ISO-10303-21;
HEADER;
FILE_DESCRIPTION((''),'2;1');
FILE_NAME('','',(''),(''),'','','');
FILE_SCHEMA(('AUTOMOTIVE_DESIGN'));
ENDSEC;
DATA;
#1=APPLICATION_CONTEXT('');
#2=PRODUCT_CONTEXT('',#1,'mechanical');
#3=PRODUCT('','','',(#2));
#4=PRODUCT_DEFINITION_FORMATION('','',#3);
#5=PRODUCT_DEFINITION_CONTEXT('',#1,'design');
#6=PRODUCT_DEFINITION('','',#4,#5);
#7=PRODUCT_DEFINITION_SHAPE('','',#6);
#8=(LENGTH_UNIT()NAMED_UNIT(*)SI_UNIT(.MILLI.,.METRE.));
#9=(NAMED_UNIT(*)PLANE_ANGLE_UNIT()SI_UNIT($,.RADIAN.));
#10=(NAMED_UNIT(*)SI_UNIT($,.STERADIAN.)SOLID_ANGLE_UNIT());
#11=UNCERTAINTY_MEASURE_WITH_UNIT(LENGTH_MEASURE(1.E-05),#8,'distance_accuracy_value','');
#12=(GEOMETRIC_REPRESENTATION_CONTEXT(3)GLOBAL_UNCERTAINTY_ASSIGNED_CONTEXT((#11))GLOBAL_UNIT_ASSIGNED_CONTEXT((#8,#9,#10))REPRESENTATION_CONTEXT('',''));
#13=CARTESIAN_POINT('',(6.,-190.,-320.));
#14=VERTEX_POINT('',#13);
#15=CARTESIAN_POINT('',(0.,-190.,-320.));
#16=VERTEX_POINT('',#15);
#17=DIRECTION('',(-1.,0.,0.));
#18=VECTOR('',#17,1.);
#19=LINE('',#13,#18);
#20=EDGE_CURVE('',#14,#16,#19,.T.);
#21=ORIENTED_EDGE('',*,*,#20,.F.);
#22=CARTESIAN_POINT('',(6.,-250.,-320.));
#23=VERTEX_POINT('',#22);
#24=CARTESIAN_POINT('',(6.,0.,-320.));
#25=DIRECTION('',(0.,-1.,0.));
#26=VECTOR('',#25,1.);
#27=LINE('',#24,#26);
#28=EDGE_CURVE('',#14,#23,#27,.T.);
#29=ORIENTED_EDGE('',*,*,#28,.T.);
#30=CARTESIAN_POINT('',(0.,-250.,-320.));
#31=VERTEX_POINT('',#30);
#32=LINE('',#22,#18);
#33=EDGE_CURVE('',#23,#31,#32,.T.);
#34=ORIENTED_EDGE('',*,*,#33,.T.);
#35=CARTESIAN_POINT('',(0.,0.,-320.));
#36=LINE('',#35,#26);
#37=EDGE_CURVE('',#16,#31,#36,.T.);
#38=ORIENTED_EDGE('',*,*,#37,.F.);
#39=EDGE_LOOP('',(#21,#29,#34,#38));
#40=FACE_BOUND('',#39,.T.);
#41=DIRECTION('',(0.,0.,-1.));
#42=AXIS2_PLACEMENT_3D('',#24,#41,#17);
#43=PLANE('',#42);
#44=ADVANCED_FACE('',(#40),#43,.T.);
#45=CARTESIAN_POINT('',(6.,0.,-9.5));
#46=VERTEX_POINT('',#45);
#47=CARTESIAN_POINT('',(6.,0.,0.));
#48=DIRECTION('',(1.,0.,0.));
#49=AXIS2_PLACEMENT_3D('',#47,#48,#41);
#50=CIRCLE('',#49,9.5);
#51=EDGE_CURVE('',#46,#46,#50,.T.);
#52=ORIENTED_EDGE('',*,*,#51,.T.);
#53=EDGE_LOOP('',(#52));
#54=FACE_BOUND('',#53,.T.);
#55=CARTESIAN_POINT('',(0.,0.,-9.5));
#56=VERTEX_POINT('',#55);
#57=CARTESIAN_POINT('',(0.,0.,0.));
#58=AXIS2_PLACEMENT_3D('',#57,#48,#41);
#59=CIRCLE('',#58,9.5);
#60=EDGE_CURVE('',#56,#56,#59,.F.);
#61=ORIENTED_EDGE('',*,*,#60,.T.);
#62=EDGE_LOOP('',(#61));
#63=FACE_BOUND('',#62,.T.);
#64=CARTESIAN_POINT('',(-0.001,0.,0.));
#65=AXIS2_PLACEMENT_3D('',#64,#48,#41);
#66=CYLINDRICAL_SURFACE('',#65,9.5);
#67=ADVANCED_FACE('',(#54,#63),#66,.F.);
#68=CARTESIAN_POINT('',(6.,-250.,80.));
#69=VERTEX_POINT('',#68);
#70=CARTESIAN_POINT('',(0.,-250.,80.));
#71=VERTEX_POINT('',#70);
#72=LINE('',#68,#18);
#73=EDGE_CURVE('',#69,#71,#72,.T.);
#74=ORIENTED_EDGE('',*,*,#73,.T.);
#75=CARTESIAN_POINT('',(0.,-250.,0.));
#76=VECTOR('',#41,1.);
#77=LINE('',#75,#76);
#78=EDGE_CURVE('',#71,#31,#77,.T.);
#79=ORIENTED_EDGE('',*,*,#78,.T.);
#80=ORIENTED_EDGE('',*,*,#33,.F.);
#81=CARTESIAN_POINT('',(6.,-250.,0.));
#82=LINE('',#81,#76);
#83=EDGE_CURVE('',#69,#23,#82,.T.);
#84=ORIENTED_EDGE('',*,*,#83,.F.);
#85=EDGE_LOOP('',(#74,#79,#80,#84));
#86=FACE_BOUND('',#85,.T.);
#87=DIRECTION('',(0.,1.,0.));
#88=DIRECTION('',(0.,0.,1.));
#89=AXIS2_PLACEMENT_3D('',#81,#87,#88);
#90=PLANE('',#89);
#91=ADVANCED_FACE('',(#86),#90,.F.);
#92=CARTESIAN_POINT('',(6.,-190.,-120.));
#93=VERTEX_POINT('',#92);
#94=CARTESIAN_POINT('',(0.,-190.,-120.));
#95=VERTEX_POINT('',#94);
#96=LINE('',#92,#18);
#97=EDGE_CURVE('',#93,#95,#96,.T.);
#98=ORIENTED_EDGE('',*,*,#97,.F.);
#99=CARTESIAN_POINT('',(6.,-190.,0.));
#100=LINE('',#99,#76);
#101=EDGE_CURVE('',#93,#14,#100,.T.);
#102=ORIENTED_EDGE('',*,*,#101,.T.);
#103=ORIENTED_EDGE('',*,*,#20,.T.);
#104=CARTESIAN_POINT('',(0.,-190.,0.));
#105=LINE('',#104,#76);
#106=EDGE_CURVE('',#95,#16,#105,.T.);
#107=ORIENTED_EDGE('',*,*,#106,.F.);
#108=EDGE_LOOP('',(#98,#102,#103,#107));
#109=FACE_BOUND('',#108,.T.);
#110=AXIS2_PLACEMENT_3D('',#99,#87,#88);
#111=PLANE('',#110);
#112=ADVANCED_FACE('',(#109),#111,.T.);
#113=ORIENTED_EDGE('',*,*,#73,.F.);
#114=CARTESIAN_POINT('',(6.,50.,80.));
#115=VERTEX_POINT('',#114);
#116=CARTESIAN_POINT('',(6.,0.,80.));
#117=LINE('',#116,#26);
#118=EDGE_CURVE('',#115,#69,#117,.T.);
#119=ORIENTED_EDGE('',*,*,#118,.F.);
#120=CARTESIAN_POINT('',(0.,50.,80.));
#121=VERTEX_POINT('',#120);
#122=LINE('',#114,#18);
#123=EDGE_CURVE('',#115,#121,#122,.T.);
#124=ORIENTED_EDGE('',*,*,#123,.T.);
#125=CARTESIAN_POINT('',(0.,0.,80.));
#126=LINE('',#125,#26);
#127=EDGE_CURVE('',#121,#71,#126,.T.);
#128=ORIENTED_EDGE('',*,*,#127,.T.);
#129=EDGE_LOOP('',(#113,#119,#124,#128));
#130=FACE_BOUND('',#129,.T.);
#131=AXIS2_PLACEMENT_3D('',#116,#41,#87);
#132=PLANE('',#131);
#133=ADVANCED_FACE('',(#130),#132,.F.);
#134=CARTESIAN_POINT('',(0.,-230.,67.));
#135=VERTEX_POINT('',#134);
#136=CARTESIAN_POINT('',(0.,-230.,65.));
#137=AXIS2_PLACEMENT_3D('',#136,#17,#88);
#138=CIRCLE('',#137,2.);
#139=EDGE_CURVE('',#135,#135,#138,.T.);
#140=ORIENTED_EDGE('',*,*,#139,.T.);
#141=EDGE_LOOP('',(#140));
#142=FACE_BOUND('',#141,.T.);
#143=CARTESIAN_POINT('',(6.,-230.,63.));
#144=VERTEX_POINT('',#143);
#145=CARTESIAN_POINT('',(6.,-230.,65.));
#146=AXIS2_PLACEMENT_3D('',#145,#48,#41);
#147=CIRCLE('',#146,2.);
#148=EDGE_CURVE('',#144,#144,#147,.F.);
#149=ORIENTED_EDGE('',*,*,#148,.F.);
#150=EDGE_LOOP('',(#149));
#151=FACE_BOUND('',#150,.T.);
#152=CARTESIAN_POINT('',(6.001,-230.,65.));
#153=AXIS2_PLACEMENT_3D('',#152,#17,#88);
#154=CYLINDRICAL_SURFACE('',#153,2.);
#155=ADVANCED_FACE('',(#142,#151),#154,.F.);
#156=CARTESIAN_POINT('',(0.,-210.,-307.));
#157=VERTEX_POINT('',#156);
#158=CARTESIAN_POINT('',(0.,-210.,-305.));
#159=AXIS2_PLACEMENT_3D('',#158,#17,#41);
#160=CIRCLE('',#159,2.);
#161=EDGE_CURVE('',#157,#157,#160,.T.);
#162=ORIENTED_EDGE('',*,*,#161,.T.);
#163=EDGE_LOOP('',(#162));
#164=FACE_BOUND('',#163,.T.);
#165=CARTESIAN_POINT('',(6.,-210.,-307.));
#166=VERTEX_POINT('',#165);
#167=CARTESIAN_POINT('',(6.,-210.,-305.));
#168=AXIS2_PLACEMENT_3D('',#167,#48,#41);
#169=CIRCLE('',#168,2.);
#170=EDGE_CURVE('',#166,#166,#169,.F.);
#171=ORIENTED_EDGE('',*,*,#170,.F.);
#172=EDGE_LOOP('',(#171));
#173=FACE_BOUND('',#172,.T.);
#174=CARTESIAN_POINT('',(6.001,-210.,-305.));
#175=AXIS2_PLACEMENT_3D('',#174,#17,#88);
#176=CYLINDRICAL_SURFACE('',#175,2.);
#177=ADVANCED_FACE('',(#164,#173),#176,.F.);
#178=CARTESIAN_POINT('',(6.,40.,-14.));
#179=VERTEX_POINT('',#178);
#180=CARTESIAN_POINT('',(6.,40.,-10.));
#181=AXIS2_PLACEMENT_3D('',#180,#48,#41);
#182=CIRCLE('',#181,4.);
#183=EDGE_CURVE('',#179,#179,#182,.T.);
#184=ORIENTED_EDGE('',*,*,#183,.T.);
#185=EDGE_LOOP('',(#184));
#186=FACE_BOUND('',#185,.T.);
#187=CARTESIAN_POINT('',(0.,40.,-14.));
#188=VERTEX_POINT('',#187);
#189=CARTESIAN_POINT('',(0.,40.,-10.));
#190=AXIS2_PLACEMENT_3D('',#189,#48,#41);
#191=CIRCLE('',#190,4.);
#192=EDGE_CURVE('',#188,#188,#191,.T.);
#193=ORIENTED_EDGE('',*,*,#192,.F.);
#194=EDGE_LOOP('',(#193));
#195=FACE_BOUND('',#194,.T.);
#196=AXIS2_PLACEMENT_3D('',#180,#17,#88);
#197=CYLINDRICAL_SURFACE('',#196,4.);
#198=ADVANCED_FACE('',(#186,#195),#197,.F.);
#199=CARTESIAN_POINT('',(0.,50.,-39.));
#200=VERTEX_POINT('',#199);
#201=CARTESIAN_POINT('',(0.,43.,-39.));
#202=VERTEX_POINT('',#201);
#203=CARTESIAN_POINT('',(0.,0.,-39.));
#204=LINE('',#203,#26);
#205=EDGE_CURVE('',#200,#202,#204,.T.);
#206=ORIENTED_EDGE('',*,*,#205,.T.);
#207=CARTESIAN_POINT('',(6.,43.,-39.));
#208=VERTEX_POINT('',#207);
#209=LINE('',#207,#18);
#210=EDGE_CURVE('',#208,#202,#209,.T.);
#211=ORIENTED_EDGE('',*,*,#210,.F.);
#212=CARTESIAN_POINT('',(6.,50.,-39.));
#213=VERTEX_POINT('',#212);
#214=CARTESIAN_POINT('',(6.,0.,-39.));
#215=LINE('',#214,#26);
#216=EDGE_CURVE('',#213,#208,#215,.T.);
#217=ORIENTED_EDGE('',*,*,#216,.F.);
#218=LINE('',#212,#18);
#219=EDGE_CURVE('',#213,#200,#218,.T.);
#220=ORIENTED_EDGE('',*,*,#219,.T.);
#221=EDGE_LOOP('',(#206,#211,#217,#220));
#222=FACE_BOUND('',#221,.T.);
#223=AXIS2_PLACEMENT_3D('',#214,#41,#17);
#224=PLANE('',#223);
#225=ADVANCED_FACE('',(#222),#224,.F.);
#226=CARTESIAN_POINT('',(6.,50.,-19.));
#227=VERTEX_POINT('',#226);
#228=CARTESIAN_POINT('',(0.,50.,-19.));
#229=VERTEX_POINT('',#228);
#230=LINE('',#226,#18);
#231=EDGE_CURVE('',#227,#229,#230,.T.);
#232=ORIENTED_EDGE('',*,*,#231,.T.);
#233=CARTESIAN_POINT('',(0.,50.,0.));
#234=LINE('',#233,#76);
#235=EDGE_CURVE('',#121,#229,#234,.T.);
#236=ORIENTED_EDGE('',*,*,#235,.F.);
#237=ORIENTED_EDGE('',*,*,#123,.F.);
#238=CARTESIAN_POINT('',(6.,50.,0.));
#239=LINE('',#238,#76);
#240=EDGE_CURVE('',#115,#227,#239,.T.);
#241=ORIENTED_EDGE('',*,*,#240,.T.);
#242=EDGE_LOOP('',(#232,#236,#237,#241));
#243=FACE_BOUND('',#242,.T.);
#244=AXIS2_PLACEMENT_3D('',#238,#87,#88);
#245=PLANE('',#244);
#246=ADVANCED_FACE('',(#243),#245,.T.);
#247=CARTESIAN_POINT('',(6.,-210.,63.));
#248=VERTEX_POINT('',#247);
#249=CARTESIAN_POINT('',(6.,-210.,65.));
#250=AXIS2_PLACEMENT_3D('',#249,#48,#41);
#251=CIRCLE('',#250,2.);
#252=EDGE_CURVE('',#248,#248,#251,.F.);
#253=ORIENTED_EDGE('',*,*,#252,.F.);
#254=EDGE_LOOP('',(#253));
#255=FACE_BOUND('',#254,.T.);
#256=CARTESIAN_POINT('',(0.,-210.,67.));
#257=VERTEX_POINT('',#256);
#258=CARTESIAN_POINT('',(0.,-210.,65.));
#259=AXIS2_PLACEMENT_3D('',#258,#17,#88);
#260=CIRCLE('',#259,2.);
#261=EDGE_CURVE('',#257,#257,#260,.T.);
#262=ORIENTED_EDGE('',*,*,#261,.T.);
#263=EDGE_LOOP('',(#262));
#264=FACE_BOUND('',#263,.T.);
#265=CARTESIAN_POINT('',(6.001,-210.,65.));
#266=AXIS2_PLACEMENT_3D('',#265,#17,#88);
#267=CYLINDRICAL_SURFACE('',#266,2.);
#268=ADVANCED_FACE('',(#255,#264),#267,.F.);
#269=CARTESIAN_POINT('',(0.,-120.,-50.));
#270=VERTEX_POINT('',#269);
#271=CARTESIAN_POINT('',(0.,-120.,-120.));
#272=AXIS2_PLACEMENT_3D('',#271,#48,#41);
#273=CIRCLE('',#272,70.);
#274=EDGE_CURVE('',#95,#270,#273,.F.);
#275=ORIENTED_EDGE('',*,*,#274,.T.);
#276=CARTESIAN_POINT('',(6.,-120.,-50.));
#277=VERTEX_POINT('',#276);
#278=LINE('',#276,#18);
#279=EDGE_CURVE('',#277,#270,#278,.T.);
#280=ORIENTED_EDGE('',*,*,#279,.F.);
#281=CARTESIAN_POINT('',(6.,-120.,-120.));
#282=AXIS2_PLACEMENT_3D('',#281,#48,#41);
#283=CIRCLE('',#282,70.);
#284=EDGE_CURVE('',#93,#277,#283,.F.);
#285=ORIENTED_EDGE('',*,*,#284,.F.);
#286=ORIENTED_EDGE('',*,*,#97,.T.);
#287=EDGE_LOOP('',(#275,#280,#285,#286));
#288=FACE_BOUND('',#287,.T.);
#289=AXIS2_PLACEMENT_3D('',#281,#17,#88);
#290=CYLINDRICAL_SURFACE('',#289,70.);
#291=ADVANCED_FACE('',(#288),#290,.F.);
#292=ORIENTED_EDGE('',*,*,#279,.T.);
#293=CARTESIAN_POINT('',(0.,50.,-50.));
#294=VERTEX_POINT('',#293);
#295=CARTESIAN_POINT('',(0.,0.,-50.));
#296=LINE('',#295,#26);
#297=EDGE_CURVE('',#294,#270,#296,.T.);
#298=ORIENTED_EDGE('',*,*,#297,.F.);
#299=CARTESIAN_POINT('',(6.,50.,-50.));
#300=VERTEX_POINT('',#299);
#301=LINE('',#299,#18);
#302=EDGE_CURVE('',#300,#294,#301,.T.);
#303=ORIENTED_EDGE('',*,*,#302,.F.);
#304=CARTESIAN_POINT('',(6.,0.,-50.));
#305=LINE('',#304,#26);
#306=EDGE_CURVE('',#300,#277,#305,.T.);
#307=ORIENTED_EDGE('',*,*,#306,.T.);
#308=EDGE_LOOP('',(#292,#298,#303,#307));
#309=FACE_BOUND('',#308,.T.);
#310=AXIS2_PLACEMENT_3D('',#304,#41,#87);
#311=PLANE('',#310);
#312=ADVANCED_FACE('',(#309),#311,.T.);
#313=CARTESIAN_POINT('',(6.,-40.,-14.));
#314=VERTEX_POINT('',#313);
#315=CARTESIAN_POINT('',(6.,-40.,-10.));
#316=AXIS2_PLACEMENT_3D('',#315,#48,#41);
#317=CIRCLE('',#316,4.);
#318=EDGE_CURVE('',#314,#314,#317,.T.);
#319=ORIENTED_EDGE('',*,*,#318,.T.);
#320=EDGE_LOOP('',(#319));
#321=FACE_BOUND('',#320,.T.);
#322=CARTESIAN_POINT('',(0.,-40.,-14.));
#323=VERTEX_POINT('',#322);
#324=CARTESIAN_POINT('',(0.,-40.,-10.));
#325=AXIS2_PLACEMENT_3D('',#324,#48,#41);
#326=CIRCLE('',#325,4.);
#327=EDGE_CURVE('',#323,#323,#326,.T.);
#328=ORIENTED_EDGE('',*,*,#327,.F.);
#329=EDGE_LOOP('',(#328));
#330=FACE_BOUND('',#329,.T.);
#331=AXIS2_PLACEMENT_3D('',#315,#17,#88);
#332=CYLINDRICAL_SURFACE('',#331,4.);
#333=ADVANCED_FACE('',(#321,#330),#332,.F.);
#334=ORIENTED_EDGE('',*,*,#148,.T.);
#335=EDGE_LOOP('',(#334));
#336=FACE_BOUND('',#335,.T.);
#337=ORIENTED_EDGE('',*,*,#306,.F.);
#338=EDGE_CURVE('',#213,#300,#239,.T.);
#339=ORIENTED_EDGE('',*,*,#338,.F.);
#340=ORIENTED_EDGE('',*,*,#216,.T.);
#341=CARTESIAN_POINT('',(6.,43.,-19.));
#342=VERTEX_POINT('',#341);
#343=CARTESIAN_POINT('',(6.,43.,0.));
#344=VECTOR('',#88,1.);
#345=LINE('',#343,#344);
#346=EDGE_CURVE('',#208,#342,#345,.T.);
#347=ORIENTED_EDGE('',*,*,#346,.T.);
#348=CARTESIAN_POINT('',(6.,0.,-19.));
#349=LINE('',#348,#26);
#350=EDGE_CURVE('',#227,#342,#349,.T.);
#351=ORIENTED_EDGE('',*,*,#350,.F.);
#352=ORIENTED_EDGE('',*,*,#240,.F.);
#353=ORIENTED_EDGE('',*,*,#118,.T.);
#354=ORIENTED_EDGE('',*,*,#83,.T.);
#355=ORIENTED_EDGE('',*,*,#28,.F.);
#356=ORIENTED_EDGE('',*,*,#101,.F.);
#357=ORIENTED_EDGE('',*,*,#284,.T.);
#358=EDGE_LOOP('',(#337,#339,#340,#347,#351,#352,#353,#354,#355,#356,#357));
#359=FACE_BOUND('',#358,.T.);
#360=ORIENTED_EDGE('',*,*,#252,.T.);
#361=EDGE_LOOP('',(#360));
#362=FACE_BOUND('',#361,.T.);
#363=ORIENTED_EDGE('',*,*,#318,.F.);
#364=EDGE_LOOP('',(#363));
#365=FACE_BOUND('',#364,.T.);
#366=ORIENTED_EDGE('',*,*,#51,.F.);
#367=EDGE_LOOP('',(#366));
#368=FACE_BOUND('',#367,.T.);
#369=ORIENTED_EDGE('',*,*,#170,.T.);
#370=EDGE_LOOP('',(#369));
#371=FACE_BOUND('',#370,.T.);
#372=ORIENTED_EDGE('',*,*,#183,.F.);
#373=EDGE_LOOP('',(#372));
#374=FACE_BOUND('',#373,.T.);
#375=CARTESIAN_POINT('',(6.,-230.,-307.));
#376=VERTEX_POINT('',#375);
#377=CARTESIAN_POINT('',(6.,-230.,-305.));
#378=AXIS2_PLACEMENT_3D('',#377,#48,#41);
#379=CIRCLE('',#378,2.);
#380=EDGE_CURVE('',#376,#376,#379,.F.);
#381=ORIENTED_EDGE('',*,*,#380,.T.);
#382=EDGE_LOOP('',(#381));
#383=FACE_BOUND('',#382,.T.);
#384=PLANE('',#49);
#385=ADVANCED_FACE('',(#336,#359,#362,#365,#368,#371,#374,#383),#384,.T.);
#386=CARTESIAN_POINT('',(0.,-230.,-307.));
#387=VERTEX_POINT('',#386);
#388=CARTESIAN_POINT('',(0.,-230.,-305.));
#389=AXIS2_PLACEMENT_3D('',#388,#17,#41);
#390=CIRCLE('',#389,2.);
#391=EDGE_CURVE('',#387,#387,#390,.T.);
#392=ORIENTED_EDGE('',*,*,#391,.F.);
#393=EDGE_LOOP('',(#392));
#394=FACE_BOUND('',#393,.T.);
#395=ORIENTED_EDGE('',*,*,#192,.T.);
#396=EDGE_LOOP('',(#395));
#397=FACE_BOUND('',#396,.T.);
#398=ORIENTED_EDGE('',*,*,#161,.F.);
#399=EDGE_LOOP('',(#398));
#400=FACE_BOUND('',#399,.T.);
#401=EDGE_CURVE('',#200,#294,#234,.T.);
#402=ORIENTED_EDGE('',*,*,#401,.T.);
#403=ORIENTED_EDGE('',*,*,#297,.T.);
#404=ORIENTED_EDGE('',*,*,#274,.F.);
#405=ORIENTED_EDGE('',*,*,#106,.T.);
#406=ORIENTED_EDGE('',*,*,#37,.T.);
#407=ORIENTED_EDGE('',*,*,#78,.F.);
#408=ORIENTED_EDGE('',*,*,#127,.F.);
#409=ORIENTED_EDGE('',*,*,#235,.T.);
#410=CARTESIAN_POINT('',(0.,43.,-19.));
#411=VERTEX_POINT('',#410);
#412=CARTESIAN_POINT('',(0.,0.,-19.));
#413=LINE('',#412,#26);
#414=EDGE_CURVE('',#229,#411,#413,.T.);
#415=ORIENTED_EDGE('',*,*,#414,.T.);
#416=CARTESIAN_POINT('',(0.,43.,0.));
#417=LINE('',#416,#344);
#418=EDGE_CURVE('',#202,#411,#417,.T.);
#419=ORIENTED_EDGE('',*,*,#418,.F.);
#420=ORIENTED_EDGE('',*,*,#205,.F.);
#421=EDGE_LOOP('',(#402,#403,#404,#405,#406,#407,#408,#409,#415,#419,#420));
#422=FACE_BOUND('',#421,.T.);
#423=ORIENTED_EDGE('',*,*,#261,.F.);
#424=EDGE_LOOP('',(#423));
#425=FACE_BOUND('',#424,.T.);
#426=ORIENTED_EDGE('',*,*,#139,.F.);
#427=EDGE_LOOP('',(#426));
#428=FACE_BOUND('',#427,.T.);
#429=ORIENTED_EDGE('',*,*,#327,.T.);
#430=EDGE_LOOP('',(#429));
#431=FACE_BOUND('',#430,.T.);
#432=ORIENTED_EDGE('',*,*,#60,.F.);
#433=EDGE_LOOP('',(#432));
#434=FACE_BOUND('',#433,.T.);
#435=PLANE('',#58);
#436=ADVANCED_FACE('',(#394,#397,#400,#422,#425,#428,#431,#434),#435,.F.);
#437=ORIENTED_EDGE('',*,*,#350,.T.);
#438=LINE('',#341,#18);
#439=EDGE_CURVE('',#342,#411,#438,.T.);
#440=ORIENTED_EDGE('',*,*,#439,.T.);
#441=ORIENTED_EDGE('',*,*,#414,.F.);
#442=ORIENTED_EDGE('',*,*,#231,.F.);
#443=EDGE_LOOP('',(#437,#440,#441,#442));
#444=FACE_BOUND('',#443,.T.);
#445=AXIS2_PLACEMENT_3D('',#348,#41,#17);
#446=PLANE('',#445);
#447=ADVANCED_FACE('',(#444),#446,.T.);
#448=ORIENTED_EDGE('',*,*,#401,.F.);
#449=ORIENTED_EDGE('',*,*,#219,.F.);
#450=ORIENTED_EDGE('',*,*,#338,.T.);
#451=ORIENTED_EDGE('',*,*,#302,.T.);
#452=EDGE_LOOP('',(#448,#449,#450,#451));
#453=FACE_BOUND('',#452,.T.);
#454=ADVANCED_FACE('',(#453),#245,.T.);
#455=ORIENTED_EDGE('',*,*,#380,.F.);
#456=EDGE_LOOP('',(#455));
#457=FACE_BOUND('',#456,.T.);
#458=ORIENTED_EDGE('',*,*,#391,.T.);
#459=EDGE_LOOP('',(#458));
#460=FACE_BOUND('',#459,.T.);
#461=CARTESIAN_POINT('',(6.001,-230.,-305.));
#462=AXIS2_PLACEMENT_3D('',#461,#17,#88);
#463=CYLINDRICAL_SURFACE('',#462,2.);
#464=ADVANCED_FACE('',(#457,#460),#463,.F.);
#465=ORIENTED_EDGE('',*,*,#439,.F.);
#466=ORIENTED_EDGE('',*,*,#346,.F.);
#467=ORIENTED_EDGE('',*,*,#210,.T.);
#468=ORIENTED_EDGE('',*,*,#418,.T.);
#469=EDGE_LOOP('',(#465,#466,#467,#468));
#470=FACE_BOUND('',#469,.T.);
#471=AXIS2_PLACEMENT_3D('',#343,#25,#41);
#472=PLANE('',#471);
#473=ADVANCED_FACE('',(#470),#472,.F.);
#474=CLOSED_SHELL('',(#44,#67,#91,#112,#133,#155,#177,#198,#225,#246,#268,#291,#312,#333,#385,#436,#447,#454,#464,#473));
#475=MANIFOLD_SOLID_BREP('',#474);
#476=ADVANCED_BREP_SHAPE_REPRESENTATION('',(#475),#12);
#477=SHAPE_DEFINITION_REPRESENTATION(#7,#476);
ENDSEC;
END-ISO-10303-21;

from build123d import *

# Parameters (mm, degrees)
SKETCH1_R           = 4
BOSS_EXTRUDE1_DEPTH = 6
CUT_EXTRUDE1_REACH  = 8
SKETCH3_R           = 9.5
SKETCH4_W           = 50
SKETCH4_H           = 300
BOSS_EXTRUDE2_DEPTH = 6
CUT_EXTRUDE2_REACH  = 8
SKETCH5_R           = 2


with BuildPart() as part:
    # Sketch1 → Boss-Extrude1 (new body)
    with BuildSketch(Plane(origin=(0, 0, 0), x_dir=(0, 0, -1), z_dir=(1, 0, 0))):
        with BuildLine():
            Line((-80, -190), (-80, -250))
            Line((-80, -250), (320, -250))
            Line((320, -250), (320, -190))
            Line((320, -190), (120, -190))
            ThreePointArc((120, -190), (70.502525317, -169.497474683), (50, -120))
            Line((50, -120), (50, 50))
            Line((50, 50), (39, 50))
            Line((39, 50), (39, 43))
            Line((39, 43), (19, 43))
            Line((19, 43), (19, 50))
            Line((19, 50), (-30, 50))
            Line((-30, 50), (-30, -120.049643139))
            ThreePointArc((-30, -120.049643139), (-43.785205981, -163.041073753), (-80, -190))
        make_face()
        with Locations((10, -40)):
            Circle(SKETCH1_R, mode=Mode.SUBTRACT)
        Circle(SKETCH1_R, mode=Mode.SUBTRACT)
        with Locations((10, 40)):
            Circle(SKETCH1_R, mode=Mode.SUBTRACT)
    extrude(amount=BOSS_EXTRUDE1_DEPTH)

    # Sketch3 → Cut-Extrude1 (cut, up to next)
    with BuildSketch(Plane(origin=(6, 0, 0), x_dir=(0, 0, -1), z_dir=(1, 0, 0)), mode=Mode.PRIVATE) as cut_extrude1_sk1:
        Circle(SKETCH3_R)
    cut_extrude1_tool1 = extrude(cut_extrude1_sk1.sketch, amount=-CUT_EXTRUDE1_REACH, mode=Mode.PRIVATE) & part.part
    add(cut_extrude1_tool1.solids().sort_by_distance((6, 0, 0))[0], mode=Mode.SUBTRACT)

    # Sketch4 → Boss-Extrude2 (add)
    with BuildSketch(Plane.ZY):
        with Locations((55, -100)):
            Rectangle(SKETCH4_W, SKETCH4_H)
    extrude(amount=-BOSS_EXTRUDE2_DEPTH)

    # Sketch5 → Cut-Extrude2 (cut, up to next)
    with BuildSketch(Plane.ZY, mode=Mode.PRIVATE) as cut_extrude2_sk1:
        with Locations((65, -210)):
            Circle(SKETCH5_R)
    cut_extrude2_tool1 = extrude(cut_extrude2_sk1.sketch, amount=-CUT_EXTRUDE2_REACH, mode=Mode.PRIVATE) & part.part
    add(cut_extrude2_tool1.solids().sort_by_distance((0, -210, 65))[0], mode=Mode.SUBTRACT)
    # Sketch5 → Cut-Extrude2 (cut, up to next)
    with BuildSketch(Plane.ZY, mode=Mode.PRIVATE) as cut_extrude2_sk2:
        with Locations((65, -230)):
            Circle(SKETCH5_R)
    cut_extrude2_tool2 = extrude(cut_extrude2_sk2.sketch, amount=-CUT_EXTRUDE2_REACH, mode=Mode.PRIVATE) & part.part
    add(cut_extrude2_tool2.solids().sort_by_distance((0, -230, 65))[0], mode=Mode.SUBTRACT)
    # Sketch5 → Cut-Extrude2 (cut, up to next)
    with BuildSketch(Plane.ZY, mode=Mode.PRIVATE) as cut_extrude2_sk3:
        with Locations((-305, -230)):
            Circle(SKETCH5_R)
    cut_extrude2_tool3 = extrude(cut_extrude2_sk3.sketch, amount=-CUT_EXTRUDE2_REACH, mode=Mode.PRIVATE) & part.part
    add(cut_extrude2_tool3.solids().sort_by_distance((0, -230, -305))[0], mode=Mode.SUBTRACT)
    # Sketch5 → Cut-Extrude2 (cut, up to next)
    with BuildSketch(Plane.ZY, mode=Mode.PRIVATE) as cut_extrude2_sk4:
        with Locations((-305, -210)):
            Circle(SKETCH5_R)
    cut_extrude2_tool4 = extrude(cut_extrude2_sk4.sketch, amount=-CUT_EXTRUDE2_REACH, mode=Mode.PRIVATE) & part.part
    add(cut_extrude2_tool4.solids().sort_by_distance((0, -210, -305))[0], mode=Mode.SUBTRACT)


solid = part.part
